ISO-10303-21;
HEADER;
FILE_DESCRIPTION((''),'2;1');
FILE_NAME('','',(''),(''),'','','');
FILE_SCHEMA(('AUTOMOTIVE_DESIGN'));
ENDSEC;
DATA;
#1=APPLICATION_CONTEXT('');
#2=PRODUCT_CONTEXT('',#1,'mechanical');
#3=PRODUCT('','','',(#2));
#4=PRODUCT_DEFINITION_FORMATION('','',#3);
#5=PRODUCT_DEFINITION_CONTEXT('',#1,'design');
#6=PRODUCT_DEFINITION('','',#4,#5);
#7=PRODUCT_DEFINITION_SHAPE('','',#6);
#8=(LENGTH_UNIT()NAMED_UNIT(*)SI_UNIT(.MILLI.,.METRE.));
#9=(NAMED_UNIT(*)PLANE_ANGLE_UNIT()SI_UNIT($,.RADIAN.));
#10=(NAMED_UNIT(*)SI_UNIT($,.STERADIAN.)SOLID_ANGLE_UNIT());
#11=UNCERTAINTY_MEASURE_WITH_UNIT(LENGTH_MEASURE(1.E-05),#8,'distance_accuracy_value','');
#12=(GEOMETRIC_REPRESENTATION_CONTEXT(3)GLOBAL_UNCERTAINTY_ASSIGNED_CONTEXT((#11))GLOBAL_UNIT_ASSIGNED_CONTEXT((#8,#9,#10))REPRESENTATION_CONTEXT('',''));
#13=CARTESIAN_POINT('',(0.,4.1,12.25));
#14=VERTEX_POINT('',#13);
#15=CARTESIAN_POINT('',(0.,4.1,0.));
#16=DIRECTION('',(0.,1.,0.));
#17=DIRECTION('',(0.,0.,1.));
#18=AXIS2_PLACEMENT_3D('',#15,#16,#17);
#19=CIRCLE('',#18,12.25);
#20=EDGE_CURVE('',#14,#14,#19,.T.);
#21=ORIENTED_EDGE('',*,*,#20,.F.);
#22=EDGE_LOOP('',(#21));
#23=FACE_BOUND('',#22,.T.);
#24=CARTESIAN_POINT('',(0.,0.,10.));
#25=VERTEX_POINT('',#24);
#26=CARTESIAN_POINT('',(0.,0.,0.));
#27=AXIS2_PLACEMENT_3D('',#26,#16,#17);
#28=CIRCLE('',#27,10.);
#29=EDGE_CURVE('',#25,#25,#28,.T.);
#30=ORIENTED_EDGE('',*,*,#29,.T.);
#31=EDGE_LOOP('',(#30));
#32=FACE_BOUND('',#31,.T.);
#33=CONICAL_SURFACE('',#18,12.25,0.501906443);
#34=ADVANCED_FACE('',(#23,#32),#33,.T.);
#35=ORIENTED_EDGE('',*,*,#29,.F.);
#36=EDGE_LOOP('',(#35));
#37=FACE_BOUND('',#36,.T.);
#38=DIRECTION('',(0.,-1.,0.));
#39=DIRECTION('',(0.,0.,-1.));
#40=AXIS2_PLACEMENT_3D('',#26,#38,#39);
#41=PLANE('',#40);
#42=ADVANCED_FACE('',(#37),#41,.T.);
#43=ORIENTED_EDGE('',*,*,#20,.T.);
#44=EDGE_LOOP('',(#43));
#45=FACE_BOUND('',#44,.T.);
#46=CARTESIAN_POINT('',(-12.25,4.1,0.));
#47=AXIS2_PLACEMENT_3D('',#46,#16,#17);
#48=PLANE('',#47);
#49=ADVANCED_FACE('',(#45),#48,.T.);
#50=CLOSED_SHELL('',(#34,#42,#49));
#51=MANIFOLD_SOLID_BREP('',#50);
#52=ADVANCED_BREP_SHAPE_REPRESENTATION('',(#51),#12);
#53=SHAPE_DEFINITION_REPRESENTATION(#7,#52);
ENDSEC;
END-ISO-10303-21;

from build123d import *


with BuildPart() as part:
    # Sketch2 → Revolve1 (revolve)
    with BuildSketch(Plane.XY, mode=Mode.PRIVATE) as revolve1_sk:
        Polygon((0, 0), (-10, 0), (-12.25, 4.1), (0, 4.1), align=None)
    revolve(revolve1_sk.sketch.rotate(Axis((0, 0, 0), (0, -1, 0)), 270), axis=Axis((0, 0, 0), (0, -1, 0)))


solid = part.part
